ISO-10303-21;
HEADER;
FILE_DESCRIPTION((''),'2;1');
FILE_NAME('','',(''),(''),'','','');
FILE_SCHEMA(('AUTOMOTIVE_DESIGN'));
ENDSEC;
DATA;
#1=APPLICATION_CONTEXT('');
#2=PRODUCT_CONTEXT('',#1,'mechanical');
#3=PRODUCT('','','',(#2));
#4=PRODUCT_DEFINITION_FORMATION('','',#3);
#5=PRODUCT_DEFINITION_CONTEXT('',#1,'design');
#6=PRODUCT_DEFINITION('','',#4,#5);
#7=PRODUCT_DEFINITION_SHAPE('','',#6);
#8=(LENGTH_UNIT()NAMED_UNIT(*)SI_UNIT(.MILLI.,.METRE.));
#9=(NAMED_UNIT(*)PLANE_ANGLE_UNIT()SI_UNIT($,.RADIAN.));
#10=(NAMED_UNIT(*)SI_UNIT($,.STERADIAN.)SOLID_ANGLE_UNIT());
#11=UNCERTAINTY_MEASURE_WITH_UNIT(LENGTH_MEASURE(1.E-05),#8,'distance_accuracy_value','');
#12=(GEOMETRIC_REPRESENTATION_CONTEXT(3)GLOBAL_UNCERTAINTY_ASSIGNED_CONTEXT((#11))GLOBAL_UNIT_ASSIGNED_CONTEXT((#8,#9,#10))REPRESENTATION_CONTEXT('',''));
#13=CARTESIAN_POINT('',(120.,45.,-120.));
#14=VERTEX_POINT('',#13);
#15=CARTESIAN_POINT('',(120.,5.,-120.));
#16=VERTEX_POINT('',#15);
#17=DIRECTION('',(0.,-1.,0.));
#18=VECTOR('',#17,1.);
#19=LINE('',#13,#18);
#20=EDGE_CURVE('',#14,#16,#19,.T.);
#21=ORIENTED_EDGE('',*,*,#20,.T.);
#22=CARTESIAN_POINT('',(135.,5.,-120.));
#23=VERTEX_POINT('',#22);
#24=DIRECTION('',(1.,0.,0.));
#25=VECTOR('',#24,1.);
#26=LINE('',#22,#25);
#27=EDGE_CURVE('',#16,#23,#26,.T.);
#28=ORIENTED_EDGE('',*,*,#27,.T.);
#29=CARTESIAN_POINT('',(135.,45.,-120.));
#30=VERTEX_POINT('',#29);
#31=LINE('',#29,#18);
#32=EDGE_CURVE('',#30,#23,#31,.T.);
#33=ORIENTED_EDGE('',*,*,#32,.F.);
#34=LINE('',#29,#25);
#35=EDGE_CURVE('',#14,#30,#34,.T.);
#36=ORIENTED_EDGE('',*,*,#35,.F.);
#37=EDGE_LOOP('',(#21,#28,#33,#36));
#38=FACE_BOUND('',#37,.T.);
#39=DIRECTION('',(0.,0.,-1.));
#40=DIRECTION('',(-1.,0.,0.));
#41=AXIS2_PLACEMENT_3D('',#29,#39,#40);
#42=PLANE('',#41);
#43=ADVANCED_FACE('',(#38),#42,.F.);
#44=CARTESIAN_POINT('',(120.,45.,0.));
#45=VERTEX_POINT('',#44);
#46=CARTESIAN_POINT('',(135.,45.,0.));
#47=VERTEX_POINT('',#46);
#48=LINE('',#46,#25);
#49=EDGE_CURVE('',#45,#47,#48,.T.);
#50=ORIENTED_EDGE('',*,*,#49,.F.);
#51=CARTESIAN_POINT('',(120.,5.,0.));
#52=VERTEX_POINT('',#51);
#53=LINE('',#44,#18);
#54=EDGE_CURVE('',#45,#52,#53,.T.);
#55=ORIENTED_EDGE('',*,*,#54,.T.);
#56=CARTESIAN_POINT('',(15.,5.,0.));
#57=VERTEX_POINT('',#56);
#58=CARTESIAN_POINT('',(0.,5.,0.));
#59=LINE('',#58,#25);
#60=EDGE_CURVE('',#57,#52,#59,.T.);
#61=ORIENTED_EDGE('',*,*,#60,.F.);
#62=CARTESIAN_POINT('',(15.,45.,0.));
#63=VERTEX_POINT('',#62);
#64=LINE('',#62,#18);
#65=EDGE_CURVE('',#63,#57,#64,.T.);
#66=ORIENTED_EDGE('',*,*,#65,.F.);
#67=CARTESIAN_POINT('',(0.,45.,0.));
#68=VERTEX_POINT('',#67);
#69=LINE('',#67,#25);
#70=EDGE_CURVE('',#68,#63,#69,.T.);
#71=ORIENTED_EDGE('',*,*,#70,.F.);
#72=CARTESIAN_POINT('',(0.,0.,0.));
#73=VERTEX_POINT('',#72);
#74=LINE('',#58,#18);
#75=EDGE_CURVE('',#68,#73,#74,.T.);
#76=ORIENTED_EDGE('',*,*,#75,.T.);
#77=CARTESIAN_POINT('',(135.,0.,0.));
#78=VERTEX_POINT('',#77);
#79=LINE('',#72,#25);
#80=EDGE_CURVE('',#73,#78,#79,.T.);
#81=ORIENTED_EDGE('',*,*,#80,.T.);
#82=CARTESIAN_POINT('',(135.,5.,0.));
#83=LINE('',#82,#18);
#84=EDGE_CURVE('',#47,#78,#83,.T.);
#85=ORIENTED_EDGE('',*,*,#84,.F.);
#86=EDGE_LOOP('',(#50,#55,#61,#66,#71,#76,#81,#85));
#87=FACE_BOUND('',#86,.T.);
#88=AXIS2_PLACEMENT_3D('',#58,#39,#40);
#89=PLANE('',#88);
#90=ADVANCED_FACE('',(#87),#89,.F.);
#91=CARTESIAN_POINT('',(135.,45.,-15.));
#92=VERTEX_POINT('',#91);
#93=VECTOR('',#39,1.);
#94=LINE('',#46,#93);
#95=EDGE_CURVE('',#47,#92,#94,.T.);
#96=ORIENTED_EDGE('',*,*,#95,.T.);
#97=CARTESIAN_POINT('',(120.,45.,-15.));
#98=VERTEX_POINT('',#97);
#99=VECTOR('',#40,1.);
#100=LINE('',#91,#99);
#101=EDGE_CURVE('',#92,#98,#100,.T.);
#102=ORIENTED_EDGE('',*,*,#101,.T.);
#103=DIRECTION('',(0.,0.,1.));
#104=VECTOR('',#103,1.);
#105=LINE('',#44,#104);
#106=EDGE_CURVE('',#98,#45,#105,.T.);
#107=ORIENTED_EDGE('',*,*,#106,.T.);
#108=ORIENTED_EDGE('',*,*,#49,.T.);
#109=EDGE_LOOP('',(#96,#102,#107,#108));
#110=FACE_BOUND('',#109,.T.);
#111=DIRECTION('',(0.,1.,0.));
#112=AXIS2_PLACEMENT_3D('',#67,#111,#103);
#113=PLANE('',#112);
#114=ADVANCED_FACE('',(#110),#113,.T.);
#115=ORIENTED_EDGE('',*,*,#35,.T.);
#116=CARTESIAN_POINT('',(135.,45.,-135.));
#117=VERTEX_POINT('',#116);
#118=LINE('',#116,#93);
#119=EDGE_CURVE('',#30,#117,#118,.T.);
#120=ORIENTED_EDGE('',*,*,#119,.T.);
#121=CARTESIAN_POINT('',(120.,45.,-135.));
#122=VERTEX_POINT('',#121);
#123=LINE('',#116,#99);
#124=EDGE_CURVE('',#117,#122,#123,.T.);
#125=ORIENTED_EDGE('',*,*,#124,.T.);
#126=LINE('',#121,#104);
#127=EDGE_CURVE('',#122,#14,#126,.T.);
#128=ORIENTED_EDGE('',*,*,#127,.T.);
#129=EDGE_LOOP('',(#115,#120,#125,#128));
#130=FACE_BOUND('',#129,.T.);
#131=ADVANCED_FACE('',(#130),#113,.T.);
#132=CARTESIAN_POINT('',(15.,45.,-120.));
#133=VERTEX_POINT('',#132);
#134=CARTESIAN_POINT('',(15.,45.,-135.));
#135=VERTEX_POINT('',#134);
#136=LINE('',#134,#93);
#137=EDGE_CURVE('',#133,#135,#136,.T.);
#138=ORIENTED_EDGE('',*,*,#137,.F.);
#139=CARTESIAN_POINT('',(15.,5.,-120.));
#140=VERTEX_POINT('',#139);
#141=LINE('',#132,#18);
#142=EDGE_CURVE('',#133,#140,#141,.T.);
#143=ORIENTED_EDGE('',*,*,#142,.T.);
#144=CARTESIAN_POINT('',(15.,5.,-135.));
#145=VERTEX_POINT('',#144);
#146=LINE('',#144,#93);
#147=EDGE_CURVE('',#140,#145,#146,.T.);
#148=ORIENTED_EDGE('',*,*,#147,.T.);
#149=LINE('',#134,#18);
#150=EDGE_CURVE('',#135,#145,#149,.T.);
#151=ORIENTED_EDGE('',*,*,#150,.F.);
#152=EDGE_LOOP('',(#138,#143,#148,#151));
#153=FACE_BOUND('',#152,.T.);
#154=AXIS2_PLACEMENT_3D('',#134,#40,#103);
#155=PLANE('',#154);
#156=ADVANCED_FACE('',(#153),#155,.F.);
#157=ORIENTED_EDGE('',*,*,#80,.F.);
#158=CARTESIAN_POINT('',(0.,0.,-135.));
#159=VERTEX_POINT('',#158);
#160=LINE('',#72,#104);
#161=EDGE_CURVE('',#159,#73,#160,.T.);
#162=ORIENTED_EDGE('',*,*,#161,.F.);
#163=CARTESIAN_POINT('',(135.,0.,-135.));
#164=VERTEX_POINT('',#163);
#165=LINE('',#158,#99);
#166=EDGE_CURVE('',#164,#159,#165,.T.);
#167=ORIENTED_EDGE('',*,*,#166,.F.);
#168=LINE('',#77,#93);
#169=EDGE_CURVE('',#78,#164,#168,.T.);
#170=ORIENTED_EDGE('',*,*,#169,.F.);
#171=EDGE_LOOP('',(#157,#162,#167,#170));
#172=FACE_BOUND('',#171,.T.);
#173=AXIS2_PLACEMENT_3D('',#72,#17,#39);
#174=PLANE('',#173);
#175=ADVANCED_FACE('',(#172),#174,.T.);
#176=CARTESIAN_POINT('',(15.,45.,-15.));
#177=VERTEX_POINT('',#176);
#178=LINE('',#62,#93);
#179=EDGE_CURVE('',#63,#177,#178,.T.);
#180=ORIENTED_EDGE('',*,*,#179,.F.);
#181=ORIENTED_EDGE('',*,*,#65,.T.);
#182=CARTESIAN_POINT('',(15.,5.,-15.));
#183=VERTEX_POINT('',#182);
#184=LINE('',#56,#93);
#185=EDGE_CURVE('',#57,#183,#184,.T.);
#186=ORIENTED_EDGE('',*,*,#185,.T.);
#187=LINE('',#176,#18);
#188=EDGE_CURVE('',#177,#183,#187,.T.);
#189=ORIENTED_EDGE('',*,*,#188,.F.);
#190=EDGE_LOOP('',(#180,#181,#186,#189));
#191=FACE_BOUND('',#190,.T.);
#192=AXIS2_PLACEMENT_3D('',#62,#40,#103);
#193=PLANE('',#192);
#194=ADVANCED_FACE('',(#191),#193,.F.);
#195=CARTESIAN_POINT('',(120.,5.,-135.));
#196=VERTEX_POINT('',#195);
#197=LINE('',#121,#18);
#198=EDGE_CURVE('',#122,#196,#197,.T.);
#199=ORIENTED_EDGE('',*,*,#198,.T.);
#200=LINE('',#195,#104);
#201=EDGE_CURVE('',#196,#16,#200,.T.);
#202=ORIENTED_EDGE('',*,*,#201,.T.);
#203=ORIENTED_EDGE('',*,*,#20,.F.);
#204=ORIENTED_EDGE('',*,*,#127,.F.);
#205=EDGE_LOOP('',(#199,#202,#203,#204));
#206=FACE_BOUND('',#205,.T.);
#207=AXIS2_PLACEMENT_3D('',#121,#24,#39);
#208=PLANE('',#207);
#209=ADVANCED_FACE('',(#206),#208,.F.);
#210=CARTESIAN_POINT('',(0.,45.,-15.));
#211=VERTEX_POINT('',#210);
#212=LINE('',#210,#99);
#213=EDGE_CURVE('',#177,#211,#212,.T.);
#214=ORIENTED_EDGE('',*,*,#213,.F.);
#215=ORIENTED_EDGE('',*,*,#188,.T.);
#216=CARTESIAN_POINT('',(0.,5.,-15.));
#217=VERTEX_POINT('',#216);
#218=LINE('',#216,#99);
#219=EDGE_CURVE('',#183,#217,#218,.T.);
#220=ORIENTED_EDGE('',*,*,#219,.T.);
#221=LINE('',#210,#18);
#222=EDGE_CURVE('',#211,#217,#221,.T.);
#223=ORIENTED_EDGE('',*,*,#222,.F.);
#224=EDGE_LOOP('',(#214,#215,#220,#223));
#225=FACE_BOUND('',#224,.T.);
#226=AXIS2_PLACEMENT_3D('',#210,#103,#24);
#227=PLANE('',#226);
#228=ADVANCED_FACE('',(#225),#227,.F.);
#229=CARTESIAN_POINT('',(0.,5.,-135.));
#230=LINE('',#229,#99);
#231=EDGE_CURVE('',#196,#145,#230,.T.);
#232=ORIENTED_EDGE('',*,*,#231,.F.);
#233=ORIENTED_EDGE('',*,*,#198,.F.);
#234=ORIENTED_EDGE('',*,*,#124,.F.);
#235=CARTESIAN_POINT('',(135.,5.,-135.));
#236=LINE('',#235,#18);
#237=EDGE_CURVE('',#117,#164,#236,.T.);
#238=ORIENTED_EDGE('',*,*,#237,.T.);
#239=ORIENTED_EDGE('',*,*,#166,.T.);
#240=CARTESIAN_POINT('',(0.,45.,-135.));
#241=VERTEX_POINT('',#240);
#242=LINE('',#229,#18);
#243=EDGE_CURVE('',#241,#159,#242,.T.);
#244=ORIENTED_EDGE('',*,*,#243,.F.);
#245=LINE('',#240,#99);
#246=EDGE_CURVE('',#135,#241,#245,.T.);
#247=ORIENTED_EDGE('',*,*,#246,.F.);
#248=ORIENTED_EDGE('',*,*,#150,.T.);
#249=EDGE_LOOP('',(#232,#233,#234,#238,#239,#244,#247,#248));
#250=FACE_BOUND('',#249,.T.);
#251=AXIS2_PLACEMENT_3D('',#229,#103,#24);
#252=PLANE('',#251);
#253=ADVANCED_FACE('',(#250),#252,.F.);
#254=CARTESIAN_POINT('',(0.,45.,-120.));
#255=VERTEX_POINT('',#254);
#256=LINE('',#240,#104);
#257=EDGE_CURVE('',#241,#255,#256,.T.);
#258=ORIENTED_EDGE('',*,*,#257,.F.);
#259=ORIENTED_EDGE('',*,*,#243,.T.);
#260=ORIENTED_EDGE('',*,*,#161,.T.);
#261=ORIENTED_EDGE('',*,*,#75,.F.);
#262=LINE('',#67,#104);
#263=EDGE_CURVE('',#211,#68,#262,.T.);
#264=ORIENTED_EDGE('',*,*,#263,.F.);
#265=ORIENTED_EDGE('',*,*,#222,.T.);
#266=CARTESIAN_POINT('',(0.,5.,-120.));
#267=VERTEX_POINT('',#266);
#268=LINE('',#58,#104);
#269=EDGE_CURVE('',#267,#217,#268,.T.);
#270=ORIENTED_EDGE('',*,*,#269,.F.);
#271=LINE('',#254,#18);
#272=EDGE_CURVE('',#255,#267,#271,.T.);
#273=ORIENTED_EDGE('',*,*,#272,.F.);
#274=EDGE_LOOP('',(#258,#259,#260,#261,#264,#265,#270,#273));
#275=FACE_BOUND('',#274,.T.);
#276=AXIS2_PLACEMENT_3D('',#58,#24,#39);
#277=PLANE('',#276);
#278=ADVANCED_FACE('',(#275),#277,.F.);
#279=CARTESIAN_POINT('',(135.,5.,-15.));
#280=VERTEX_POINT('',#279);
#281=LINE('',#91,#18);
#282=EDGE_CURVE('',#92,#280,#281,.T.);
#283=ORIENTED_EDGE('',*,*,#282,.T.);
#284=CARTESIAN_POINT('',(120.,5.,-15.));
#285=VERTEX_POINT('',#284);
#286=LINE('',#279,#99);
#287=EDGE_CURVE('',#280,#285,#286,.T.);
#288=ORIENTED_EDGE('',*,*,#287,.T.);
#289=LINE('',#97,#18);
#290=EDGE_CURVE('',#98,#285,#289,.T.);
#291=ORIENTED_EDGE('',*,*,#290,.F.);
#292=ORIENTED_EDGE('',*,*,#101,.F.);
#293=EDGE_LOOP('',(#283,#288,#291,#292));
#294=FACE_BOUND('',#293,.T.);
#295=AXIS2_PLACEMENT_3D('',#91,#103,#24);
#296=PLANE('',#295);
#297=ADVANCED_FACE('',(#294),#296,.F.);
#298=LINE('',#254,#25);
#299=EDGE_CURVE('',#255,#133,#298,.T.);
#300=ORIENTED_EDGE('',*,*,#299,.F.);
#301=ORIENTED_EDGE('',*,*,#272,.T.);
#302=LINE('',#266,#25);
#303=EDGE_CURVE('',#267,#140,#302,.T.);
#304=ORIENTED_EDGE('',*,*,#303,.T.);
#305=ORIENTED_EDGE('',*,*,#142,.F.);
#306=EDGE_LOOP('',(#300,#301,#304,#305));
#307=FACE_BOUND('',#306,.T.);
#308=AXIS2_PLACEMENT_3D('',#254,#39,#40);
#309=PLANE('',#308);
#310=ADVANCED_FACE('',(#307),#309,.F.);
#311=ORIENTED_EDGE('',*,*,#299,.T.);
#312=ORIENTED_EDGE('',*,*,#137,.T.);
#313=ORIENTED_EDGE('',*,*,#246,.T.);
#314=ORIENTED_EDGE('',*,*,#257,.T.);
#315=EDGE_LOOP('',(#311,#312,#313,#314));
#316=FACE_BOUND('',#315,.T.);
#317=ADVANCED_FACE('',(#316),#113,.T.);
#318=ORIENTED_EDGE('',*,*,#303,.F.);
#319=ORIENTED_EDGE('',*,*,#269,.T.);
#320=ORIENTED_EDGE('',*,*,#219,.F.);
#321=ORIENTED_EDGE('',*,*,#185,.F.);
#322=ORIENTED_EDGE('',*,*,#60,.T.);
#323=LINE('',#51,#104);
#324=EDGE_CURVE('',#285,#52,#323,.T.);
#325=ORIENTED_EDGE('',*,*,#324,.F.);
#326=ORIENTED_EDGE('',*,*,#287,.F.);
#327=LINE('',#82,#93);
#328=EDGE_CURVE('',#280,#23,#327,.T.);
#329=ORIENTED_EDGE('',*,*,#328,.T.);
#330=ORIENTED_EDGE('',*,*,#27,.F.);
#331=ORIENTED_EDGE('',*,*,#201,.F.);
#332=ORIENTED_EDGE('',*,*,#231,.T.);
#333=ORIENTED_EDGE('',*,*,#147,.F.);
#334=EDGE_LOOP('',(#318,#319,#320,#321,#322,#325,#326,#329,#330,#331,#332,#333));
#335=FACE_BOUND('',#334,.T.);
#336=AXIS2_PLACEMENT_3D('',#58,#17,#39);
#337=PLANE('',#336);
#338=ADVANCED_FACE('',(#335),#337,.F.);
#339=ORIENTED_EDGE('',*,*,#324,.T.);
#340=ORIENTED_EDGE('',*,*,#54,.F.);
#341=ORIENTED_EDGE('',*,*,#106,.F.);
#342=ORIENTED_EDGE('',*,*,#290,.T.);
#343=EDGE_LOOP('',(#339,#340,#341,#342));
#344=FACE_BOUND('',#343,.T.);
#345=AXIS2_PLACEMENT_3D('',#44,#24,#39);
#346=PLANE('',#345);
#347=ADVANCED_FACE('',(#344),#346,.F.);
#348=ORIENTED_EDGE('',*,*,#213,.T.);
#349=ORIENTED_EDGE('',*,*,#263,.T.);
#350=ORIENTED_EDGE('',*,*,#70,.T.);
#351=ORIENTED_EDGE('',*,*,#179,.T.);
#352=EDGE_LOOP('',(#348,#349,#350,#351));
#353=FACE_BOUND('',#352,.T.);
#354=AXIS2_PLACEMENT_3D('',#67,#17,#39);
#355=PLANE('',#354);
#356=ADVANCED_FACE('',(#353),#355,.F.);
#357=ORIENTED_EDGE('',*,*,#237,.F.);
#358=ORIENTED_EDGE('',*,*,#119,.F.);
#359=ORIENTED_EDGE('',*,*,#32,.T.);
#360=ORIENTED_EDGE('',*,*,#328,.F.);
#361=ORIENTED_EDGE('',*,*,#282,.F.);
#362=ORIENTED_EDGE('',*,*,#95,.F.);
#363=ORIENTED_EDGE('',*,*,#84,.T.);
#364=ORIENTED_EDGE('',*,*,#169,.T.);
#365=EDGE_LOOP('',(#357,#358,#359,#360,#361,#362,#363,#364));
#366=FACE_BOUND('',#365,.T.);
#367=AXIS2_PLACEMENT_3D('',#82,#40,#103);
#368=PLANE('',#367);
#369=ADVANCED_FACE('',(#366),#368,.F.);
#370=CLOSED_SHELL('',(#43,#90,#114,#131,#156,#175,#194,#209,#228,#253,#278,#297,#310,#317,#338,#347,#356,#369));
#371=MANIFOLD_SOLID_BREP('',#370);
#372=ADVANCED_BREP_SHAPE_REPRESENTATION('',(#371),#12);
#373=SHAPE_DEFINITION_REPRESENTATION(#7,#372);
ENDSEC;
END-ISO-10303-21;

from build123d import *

# Parameters (mm, degrees)
SKETCH1_W           = 135
SKETCH1_H           = 135
BOSS_EXTRUDE1_DEPTH = 5
SKETCH2_W           = 15
SKETCH2_H           = 15
BOSS_EXTRUDE2_DEPTH = 40


with BuildPart() as part:
    # Sketch1 → Boss-Extrude1 (new body)
    with BuildSketch(Plane(origin=(0, 0, 0), x_dir=(1, 0, 0), z_dir=(0, 1, 0))):
        with Locations((67.5, 67.5)):
            Rectangle(SKETCH1_W, SKETCH1_H)
    extrude(amount=BOSS_EXTRUDE1_DEPTH)

    # Sketch2 → Boss-Extrude2 (add)
    with BuildSketch(Plane(origin=(0, 5, 0), x_dir=(1, 0, 0), z_dir=(0, 1, 0))):
        with Locations((7.5, 7.5)):
            Rectangle(SKETCH2_W, SKETCH2_H)
        with Locations((127.5, 7.5)):
            Rectangle(SKETCH2_W, SKETCH2_H)
        with Locations((127.5, 127.5)):
            Rectangle(SKETCH2_W, SKETCH2_H)
        with Locations((7.5, 127.5)):
            Rectangle(SKETCH2_W, SKETCH2_H)
    extrude(amount=BOSS_EXTRUDE2_DEPTH)


solid = part.part
